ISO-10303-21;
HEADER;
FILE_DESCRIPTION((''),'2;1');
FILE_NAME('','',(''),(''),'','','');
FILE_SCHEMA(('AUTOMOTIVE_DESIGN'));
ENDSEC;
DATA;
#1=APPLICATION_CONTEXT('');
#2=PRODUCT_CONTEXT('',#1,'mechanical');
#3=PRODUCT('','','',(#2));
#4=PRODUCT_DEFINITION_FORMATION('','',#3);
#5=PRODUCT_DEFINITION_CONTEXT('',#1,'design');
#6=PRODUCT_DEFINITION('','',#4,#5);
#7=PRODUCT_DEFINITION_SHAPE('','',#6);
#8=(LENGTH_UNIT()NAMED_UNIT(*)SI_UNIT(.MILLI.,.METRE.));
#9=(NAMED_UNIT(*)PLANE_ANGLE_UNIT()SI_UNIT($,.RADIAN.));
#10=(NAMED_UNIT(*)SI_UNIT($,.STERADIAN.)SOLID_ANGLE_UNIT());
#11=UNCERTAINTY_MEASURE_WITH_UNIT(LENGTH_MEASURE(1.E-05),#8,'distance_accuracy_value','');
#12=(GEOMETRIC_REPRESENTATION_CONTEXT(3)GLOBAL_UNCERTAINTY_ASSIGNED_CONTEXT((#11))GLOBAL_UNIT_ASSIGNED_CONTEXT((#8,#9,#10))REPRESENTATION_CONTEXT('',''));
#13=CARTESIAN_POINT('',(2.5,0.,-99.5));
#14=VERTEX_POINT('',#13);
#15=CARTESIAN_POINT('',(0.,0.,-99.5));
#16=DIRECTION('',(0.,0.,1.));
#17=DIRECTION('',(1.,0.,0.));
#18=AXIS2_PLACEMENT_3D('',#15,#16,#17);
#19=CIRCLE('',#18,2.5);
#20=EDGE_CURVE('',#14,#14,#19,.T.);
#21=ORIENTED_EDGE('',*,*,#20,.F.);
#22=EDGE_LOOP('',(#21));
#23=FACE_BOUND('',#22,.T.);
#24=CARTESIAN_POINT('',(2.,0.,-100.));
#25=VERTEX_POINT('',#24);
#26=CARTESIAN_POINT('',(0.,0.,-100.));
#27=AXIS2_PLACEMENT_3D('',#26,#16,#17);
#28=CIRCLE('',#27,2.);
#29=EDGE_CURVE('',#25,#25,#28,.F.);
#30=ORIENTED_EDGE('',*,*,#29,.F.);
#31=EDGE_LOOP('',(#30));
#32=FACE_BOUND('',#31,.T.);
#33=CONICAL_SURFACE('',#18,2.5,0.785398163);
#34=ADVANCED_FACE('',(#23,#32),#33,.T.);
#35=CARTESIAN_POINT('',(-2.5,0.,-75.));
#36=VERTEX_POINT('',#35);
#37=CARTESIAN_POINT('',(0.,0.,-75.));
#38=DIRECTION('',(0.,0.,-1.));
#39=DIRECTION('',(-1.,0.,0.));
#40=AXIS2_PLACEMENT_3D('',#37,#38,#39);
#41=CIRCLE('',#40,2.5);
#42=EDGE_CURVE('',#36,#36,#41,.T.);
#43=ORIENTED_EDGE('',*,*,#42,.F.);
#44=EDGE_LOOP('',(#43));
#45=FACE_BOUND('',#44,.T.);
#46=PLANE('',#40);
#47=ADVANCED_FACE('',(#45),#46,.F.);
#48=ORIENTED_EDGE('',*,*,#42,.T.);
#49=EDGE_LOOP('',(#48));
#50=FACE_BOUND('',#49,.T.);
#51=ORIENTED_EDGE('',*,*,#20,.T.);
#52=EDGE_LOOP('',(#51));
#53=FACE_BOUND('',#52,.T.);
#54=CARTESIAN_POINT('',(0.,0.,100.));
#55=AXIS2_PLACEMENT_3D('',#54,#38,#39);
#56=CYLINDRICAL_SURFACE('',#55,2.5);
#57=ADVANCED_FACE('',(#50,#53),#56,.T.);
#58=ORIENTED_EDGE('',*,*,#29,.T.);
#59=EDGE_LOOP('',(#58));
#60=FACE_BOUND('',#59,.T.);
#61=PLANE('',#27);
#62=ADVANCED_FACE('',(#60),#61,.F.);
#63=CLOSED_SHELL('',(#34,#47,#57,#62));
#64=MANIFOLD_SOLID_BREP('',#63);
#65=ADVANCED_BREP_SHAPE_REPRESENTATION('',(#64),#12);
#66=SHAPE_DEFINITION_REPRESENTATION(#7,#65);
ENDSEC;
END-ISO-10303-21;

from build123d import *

# Parameters (mm, degrees)
SKETCH1_R          = 2.5
EXTRUDE1_DEPTH     = 100
CHAMFER1_SIZE      = 0.5
SKETCH3_W          = 19.542499602
SKETCH3_H          = 13.436538206
CUT_EXTRUDE1_DEPTH = 175


with BuildPart() as part:
    # Sketch1 → Extrude1 (new, symmetric)
    with BuildSketch(Plane.XY):
        Circle(SKETCH1_R)
    extrude(amount=EXTRUDE1_DEPTH, both=True)

    # Chamfer1
    chamfer1_edges = [part.edges().sort_by_distance(p)[0] for p in [
        (-2.5, 0, -100),
        (-2.5, 0, 100),
    ]]
    chamfer(chamfer1_edges, length=CHAMFER1_SIZE)

    # Sketch3 → Cut-Extrude1 (cut)
    with BuildSketch(Plane.XY.offset(100)):
        Rectangle(SKETCH3_W, SKETCH3_H)
    extrude(amount=-CUT_EXTRUDE1_DEPTH, mode=Mode.SUBTRACT)


solid = part.part
